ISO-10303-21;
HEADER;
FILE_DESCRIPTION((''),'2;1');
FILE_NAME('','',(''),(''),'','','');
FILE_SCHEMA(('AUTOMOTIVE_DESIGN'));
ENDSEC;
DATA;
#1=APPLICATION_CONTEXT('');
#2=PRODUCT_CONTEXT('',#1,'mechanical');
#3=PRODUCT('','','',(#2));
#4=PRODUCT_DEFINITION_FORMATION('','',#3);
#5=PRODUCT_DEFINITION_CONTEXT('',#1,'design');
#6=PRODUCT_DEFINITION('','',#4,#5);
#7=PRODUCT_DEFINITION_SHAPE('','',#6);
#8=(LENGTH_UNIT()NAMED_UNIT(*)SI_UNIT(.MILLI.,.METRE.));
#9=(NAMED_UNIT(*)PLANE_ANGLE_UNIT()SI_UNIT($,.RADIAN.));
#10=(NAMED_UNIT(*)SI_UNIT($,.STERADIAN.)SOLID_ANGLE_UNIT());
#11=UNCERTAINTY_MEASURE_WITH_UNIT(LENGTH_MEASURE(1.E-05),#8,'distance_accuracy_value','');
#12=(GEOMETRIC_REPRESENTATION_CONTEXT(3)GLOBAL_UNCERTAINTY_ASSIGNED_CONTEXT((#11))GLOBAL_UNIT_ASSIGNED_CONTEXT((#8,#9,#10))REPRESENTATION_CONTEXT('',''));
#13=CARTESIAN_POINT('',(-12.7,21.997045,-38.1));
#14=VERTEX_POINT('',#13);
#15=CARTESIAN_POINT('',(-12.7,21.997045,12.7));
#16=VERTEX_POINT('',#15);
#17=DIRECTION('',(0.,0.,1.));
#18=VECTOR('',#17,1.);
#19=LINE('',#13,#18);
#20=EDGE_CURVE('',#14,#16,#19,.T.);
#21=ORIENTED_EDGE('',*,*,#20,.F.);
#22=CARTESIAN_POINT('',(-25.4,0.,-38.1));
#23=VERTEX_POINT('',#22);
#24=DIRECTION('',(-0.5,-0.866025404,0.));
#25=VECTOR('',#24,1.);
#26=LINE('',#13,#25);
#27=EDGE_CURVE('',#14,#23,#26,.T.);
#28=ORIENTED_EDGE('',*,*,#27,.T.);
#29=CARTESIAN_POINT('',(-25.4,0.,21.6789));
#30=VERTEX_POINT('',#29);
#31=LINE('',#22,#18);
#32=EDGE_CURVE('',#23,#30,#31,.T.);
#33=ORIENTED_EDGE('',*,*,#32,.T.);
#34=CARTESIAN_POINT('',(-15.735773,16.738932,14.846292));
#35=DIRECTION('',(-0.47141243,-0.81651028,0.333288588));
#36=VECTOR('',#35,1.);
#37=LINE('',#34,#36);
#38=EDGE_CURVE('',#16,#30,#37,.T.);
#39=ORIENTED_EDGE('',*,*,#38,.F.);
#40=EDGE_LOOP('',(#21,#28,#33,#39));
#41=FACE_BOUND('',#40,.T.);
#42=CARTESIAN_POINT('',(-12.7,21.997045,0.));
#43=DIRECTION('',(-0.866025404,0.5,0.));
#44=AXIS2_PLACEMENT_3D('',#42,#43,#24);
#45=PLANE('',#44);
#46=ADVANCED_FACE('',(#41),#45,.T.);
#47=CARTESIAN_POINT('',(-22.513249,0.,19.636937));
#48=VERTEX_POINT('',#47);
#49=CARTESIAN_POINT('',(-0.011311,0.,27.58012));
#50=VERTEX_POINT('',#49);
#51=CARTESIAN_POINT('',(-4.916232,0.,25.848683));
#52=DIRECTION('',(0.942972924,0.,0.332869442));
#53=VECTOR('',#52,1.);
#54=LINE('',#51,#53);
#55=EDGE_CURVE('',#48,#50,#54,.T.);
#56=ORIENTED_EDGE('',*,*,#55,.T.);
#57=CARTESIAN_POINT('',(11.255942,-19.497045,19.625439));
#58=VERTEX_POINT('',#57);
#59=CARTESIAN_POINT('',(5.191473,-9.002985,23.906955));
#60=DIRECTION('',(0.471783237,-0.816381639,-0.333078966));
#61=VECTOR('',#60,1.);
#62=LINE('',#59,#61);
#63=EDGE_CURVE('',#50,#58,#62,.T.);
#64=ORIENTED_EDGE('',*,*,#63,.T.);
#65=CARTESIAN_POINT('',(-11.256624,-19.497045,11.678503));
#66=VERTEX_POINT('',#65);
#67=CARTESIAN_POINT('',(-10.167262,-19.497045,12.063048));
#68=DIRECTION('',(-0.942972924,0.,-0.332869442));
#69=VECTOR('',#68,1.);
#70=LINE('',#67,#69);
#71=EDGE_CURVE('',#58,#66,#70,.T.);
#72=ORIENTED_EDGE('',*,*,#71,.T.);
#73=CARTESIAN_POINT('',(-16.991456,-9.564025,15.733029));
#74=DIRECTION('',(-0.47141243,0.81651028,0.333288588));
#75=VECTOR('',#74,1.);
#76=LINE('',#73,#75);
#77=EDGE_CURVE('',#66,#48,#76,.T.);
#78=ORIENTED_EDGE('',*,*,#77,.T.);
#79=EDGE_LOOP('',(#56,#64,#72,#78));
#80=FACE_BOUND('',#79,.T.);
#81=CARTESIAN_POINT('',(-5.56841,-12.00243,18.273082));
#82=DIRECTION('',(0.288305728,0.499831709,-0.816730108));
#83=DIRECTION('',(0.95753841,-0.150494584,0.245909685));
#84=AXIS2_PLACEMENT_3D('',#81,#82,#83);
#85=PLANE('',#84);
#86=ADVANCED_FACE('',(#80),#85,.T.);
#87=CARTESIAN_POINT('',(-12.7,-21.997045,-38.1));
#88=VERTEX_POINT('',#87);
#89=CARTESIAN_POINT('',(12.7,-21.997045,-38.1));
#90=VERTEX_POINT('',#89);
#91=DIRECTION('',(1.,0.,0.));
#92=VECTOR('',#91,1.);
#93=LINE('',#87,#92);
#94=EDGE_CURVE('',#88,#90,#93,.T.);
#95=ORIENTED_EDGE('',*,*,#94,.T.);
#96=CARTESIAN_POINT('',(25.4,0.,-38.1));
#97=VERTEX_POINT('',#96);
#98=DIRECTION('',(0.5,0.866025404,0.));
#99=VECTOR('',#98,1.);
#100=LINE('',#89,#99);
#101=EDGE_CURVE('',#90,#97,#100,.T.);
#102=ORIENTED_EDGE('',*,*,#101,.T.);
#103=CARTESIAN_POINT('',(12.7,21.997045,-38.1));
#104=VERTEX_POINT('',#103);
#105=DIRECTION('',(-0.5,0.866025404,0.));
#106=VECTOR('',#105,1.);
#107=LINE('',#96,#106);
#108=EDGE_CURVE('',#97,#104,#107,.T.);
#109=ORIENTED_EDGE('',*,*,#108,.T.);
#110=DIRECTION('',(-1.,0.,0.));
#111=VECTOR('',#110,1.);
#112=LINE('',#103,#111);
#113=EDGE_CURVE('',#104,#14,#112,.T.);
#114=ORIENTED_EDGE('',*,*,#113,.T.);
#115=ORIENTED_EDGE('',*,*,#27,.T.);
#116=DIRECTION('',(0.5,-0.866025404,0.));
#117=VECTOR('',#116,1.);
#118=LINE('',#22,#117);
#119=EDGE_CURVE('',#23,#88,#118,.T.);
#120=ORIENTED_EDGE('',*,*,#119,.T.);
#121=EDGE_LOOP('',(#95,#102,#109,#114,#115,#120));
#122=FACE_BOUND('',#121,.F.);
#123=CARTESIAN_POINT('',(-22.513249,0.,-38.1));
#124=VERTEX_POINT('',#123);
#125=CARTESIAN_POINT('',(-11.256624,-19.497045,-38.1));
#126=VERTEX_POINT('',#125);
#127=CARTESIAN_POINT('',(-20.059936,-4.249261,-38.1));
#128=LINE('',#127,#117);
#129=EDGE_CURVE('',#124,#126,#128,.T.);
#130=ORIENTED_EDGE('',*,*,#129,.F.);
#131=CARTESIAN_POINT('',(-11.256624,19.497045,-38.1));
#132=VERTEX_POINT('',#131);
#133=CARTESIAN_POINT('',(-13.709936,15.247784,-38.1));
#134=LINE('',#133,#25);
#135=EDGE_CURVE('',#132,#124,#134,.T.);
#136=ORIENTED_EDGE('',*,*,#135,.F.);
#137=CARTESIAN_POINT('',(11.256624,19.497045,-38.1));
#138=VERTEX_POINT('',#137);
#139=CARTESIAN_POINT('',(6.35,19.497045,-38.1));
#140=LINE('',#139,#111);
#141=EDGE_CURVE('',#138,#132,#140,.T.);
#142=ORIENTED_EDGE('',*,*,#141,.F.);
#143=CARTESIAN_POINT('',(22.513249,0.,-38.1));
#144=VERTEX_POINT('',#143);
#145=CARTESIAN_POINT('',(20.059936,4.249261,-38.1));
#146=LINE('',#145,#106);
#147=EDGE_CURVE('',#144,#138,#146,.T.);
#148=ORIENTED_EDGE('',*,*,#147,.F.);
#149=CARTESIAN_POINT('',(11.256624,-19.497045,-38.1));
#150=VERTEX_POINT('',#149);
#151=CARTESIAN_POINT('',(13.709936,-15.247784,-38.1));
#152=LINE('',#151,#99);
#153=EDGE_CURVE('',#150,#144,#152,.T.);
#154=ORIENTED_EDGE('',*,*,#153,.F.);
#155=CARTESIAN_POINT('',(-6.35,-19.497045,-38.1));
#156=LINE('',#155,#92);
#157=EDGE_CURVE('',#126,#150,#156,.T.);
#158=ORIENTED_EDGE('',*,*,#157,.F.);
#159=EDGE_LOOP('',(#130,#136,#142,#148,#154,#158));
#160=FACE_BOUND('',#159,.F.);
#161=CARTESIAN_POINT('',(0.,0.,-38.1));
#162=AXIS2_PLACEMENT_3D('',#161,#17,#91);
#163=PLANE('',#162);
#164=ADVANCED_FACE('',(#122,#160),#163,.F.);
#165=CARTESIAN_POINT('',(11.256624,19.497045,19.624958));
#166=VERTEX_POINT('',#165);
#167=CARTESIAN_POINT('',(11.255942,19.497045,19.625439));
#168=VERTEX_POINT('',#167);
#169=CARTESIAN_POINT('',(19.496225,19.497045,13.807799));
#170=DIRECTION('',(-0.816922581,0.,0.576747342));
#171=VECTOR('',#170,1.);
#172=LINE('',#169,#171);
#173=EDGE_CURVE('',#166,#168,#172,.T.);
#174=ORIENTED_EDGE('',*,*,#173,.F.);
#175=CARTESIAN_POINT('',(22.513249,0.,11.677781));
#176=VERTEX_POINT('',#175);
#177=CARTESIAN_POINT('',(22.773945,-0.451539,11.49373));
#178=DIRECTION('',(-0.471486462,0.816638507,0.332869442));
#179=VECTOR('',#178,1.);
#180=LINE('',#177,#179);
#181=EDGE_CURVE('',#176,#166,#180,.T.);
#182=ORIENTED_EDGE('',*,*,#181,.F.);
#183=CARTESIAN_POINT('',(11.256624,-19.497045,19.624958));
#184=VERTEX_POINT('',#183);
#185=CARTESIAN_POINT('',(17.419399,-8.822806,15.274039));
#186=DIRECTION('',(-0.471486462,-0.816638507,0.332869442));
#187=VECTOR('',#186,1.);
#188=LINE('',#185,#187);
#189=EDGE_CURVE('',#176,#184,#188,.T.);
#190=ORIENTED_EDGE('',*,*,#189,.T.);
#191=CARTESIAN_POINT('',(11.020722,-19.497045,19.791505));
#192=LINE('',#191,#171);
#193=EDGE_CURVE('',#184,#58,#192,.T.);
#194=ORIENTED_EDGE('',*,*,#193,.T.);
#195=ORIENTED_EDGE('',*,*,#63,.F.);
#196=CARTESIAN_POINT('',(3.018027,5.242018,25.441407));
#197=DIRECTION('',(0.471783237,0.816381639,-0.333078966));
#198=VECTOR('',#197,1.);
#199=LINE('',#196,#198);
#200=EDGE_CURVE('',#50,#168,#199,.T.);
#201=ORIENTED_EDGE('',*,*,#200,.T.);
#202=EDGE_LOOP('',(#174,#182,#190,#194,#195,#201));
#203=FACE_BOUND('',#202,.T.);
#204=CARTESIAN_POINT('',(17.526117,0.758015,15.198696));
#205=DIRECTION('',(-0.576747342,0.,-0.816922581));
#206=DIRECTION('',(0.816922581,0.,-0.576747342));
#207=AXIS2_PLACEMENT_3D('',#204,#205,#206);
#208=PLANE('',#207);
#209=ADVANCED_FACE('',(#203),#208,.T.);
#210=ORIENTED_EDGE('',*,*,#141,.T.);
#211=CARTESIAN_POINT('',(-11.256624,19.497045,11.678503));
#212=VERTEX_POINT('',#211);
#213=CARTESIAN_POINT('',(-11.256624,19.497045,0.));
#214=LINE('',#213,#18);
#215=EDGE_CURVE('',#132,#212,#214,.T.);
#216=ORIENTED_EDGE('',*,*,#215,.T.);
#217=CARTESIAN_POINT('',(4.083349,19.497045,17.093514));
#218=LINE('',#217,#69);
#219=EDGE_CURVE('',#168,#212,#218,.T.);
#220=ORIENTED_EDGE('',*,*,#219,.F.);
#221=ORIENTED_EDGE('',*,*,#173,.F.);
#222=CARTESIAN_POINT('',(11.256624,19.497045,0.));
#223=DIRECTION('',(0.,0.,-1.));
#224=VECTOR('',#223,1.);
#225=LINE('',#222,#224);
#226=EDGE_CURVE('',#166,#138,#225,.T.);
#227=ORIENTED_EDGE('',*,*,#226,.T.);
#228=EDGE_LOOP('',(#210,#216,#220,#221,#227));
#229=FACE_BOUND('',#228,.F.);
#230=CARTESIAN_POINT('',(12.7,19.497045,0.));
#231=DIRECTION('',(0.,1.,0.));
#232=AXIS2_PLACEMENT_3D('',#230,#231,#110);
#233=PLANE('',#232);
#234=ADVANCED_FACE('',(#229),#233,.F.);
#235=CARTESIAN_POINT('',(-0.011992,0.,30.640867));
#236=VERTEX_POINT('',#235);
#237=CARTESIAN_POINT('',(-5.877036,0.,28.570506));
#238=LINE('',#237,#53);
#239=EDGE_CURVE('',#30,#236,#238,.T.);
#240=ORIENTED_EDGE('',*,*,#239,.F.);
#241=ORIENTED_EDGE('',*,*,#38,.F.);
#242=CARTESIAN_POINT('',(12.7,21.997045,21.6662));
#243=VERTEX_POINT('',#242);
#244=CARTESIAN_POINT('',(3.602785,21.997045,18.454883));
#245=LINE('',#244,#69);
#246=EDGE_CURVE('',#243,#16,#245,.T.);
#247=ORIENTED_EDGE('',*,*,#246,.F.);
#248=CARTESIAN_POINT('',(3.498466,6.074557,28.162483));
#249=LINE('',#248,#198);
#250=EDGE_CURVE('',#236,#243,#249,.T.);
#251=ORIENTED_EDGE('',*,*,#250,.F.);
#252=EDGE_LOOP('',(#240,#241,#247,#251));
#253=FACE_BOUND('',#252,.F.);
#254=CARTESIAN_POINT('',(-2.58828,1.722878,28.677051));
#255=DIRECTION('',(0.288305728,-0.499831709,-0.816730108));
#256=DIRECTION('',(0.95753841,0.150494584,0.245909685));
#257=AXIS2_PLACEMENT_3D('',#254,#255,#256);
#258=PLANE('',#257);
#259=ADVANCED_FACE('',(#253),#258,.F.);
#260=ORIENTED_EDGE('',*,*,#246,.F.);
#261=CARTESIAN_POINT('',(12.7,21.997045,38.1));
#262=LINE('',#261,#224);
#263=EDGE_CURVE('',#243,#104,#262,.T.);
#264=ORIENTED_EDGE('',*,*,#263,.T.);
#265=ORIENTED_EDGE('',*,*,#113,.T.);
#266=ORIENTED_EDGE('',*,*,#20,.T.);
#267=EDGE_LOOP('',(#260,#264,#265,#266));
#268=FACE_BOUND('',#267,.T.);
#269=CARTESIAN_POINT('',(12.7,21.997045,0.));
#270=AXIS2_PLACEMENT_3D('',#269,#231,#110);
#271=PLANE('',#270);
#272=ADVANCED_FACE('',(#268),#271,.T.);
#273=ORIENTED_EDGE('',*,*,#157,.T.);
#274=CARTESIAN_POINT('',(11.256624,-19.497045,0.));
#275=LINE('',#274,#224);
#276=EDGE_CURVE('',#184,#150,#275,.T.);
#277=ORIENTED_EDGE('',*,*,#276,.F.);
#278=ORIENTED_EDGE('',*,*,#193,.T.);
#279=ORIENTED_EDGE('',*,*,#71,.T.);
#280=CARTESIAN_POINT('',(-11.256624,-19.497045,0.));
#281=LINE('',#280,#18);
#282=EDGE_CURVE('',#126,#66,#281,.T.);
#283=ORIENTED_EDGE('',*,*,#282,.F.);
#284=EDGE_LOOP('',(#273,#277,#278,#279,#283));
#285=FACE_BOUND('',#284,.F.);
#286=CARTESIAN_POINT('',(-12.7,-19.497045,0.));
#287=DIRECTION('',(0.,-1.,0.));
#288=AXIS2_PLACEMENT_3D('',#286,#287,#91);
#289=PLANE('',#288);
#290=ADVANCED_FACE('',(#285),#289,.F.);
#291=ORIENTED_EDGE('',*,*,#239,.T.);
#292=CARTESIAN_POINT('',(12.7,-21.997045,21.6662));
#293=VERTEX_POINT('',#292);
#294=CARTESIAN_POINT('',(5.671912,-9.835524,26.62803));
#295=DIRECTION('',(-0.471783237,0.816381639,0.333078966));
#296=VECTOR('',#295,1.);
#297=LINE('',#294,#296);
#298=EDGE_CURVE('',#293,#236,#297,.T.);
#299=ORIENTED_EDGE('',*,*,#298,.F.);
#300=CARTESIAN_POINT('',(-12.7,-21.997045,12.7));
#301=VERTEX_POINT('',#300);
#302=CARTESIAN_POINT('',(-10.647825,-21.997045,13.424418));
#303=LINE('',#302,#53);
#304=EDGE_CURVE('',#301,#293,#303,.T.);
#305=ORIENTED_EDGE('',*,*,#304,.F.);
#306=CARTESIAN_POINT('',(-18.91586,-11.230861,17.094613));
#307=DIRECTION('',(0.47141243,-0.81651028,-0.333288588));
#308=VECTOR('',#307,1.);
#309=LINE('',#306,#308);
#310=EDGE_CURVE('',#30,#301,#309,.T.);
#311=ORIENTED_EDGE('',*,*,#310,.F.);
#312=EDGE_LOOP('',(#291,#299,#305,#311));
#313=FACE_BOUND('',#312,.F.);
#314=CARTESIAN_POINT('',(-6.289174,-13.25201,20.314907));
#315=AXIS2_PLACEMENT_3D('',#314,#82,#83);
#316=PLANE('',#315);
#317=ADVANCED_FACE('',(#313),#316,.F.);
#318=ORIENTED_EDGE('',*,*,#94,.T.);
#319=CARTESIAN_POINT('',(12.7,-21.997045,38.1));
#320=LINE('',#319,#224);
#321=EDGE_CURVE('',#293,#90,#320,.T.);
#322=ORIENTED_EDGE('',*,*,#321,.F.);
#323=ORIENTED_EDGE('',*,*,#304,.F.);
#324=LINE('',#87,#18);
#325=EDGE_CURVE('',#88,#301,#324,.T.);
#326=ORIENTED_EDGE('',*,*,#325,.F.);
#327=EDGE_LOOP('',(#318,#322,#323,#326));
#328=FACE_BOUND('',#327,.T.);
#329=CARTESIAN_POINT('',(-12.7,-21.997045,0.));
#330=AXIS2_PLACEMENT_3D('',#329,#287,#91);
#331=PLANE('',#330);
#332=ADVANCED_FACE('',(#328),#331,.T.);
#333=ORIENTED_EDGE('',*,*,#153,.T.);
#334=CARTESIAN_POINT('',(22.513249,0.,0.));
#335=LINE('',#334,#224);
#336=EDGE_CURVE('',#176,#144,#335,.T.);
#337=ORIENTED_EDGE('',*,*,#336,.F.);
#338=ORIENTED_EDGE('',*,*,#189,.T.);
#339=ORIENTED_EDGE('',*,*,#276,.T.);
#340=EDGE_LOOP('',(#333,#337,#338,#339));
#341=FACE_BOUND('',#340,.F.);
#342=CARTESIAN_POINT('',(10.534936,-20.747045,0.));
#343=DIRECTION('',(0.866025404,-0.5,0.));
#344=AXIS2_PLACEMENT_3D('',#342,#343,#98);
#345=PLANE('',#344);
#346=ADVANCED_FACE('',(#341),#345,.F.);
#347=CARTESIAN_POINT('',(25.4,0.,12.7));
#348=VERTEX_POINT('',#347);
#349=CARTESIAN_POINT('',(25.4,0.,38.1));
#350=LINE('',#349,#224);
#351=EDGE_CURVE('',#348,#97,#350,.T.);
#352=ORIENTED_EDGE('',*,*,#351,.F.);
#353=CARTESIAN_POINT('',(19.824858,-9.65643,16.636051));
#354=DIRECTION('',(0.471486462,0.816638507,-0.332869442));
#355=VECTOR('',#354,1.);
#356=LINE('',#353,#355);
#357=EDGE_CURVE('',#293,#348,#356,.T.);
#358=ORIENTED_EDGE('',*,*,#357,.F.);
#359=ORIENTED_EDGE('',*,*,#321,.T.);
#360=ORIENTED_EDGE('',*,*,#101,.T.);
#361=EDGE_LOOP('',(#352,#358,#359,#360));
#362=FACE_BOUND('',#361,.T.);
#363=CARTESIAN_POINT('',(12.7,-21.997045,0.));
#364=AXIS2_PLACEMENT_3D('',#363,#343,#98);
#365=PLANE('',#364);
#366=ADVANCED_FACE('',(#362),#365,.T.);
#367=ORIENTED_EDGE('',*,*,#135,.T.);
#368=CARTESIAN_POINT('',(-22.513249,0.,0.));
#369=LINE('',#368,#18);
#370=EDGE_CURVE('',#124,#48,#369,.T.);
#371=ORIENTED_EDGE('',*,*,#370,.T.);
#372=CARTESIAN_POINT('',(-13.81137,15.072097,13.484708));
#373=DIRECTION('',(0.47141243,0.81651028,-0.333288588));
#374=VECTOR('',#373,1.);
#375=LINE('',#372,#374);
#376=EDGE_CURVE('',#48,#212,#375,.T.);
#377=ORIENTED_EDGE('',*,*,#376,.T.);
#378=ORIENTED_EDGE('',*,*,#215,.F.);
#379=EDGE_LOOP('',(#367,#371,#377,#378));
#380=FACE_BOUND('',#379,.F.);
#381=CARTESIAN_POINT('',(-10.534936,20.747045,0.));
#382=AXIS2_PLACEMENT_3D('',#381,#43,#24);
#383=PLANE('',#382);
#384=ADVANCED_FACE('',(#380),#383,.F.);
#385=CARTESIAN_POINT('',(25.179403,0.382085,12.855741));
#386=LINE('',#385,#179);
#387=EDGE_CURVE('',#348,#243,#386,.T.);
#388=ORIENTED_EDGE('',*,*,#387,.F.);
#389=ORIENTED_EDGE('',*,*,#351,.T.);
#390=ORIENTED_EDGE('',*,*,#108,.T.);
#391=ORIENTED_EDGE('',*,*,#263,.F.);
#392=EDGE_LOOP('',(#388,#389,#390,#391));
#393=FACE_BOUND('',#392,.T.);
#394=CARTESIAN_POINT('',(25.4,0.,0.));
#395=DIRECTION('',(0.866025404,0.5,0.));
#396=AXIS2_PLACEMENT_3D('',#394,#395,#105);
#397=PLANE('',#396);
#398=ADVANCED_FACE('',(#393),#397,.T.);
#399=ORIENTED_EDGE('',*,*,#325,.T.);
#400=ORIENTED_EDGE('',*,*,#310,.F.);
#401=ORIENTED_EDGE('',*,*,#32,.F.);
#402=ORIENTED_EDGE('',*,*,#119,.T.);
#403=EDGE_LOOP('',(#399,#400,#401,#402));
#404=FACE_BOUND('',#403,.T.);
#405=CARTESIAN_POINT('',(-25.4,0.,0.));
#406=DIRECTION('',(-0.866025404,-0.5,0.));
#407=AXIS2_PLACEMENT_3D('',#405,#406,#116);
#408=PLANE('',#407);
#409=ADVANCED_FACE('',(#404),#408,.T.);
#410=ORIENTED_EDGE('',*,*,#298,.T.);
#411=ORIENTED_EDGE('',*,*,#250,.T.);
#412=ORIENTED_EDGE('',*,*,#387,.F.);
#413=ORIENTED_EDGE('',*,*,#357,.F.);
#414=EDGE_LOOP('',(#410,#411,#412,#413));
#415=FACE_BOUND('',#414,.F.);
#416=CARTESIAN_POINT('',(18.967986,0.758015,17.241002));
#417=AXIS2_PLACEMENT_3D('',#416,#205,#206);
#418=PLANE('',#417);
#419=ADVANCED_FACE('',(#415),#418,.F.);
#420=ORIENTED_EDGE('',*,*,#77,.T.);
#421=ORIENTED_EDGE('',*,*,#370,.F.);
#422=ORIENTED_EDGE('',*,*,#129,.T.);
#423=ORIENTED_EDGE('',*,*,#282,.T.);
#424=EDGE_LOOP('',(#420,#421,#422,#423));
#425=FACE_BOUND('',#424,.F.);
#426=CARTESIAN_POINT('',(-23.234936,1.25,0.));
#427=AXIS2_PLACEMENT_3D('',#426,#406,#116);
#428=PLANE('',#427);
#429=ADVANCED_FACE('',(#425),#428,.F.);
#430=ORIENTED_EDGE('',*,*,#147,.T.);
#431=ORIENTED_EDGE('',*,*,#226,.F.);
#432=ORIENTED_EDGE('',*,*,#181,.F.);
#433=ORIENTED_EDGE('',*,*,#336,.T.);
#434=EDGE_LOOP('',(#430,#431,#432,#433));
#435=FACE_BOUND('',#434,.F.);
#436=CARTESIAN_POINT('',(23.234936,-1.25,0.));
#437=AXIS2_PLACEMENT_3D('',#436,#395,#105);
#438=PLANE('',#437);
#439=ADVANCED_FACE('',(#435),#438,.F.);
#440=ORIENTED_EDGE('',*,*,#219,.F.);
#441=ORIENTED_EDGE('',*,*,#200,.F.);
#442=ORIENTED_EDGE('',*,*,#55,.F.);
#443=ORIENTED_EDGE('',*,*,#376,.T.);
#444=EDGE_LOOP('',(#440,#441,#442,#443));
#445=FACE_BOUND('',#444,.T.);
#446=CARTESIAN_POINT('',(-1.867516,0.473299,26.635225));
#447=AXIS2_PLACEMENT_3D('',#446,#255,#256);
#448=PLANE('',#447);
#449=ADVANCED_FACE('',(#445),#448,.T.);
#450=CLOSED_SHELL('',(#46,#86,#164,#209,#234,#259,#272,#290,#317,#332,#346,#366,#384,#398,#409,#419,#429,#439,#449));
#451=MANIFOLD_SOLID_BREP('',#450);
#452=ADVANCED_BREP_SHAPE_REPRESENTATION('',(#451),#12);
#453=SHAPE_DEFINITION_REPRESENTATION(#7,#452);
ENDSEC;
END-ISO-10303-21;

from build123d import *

# Parameters (mm, degrees)
F1_DEPTH  = 38.1
F8_W      = 62.1289778501
F8_H      = 70.9990356117
F9_DEPTH  = 24.4074275016
F10_W     = 94.4273807108
F10_H     = 95.7268364727
F11_DEPTH = 24.4074275016
F12_W     = 81.8659365177
F12_H     = 67.1387314796
F13_DEPTH = 20.7508335567
F14_T     = -2.5


with BuildPart() as f1:
    # F0 (on Top) → F1 (new body, symmetric)
    with BuildSketch(Plane.XY):
        Polygon((12.7, 21.9970452561), (-12.7, 21.9970452561), (-25.4, 0), (-12.7, -21.9970452561), (12.7, -21.9970452561), (25.4, 0), align=None)
    extrude(amount=F1_DEPTH, both=True)

    # F8 (on 3pt) → F9 (cut, through all)
    with BuildSketch(Plane(origin=(-7.2159394472, 12.5101757995, 20.4417548078), x_dir=(0.9575384102, 0.1504945841, 0.2459096848), z_dir=(0.2883057283, -0.4998317088, -0.8167301084))):
        with Locations((4.8328703269, 13.4997954592)):
            Rectangle(F8_W, F8_H)
    extrude(amount=-F9_DEPTH, mode=Mode.SUBTRACT)

    # F10 (on 3pt) → F11 (cut, through all)
    with BuildSketch(Plane(origin=(-7.2159394472, -12.5101757995, 20.4417548078), x_dir=(0.9575384102, -0.1504945841, 0.2459096848), z_dir=(0.2883057283, 0.4998317088, -0.8167301084))):
        with Locations((0.9678620845, 0.6989594549)):
            Rectangle(F10_W, F10_H)
    extrude(amount=-F11_DEPTH, mode=Mode.SUBTRACT)

    # F12 (on 3pt) → F13 (cut, through all)
    with BuildSketch(Plane(origin=(14.4326980932, 0, 20.4429151462), x_dir=(0.816922581, 0, -0.5767473422), z_dir=(-0.5767473422, 0, -0.816922581))):
        with Locations((5.5516734719, -0.7580146194)):
            Rectangle(F12_W, F12_H)
    extrude(amount=-F13_DEPTH, mode=Mode.SUBTRACT)

    # F14
    f14_openings = [f1.faces().sort_by_distance(p)[0] for p in [
        (0, 0, -38.1),
    ]]
    offset(amount=F14_T, openings=f14_openings, kind=Kind.INTERSECTION)


solid = f1.part
